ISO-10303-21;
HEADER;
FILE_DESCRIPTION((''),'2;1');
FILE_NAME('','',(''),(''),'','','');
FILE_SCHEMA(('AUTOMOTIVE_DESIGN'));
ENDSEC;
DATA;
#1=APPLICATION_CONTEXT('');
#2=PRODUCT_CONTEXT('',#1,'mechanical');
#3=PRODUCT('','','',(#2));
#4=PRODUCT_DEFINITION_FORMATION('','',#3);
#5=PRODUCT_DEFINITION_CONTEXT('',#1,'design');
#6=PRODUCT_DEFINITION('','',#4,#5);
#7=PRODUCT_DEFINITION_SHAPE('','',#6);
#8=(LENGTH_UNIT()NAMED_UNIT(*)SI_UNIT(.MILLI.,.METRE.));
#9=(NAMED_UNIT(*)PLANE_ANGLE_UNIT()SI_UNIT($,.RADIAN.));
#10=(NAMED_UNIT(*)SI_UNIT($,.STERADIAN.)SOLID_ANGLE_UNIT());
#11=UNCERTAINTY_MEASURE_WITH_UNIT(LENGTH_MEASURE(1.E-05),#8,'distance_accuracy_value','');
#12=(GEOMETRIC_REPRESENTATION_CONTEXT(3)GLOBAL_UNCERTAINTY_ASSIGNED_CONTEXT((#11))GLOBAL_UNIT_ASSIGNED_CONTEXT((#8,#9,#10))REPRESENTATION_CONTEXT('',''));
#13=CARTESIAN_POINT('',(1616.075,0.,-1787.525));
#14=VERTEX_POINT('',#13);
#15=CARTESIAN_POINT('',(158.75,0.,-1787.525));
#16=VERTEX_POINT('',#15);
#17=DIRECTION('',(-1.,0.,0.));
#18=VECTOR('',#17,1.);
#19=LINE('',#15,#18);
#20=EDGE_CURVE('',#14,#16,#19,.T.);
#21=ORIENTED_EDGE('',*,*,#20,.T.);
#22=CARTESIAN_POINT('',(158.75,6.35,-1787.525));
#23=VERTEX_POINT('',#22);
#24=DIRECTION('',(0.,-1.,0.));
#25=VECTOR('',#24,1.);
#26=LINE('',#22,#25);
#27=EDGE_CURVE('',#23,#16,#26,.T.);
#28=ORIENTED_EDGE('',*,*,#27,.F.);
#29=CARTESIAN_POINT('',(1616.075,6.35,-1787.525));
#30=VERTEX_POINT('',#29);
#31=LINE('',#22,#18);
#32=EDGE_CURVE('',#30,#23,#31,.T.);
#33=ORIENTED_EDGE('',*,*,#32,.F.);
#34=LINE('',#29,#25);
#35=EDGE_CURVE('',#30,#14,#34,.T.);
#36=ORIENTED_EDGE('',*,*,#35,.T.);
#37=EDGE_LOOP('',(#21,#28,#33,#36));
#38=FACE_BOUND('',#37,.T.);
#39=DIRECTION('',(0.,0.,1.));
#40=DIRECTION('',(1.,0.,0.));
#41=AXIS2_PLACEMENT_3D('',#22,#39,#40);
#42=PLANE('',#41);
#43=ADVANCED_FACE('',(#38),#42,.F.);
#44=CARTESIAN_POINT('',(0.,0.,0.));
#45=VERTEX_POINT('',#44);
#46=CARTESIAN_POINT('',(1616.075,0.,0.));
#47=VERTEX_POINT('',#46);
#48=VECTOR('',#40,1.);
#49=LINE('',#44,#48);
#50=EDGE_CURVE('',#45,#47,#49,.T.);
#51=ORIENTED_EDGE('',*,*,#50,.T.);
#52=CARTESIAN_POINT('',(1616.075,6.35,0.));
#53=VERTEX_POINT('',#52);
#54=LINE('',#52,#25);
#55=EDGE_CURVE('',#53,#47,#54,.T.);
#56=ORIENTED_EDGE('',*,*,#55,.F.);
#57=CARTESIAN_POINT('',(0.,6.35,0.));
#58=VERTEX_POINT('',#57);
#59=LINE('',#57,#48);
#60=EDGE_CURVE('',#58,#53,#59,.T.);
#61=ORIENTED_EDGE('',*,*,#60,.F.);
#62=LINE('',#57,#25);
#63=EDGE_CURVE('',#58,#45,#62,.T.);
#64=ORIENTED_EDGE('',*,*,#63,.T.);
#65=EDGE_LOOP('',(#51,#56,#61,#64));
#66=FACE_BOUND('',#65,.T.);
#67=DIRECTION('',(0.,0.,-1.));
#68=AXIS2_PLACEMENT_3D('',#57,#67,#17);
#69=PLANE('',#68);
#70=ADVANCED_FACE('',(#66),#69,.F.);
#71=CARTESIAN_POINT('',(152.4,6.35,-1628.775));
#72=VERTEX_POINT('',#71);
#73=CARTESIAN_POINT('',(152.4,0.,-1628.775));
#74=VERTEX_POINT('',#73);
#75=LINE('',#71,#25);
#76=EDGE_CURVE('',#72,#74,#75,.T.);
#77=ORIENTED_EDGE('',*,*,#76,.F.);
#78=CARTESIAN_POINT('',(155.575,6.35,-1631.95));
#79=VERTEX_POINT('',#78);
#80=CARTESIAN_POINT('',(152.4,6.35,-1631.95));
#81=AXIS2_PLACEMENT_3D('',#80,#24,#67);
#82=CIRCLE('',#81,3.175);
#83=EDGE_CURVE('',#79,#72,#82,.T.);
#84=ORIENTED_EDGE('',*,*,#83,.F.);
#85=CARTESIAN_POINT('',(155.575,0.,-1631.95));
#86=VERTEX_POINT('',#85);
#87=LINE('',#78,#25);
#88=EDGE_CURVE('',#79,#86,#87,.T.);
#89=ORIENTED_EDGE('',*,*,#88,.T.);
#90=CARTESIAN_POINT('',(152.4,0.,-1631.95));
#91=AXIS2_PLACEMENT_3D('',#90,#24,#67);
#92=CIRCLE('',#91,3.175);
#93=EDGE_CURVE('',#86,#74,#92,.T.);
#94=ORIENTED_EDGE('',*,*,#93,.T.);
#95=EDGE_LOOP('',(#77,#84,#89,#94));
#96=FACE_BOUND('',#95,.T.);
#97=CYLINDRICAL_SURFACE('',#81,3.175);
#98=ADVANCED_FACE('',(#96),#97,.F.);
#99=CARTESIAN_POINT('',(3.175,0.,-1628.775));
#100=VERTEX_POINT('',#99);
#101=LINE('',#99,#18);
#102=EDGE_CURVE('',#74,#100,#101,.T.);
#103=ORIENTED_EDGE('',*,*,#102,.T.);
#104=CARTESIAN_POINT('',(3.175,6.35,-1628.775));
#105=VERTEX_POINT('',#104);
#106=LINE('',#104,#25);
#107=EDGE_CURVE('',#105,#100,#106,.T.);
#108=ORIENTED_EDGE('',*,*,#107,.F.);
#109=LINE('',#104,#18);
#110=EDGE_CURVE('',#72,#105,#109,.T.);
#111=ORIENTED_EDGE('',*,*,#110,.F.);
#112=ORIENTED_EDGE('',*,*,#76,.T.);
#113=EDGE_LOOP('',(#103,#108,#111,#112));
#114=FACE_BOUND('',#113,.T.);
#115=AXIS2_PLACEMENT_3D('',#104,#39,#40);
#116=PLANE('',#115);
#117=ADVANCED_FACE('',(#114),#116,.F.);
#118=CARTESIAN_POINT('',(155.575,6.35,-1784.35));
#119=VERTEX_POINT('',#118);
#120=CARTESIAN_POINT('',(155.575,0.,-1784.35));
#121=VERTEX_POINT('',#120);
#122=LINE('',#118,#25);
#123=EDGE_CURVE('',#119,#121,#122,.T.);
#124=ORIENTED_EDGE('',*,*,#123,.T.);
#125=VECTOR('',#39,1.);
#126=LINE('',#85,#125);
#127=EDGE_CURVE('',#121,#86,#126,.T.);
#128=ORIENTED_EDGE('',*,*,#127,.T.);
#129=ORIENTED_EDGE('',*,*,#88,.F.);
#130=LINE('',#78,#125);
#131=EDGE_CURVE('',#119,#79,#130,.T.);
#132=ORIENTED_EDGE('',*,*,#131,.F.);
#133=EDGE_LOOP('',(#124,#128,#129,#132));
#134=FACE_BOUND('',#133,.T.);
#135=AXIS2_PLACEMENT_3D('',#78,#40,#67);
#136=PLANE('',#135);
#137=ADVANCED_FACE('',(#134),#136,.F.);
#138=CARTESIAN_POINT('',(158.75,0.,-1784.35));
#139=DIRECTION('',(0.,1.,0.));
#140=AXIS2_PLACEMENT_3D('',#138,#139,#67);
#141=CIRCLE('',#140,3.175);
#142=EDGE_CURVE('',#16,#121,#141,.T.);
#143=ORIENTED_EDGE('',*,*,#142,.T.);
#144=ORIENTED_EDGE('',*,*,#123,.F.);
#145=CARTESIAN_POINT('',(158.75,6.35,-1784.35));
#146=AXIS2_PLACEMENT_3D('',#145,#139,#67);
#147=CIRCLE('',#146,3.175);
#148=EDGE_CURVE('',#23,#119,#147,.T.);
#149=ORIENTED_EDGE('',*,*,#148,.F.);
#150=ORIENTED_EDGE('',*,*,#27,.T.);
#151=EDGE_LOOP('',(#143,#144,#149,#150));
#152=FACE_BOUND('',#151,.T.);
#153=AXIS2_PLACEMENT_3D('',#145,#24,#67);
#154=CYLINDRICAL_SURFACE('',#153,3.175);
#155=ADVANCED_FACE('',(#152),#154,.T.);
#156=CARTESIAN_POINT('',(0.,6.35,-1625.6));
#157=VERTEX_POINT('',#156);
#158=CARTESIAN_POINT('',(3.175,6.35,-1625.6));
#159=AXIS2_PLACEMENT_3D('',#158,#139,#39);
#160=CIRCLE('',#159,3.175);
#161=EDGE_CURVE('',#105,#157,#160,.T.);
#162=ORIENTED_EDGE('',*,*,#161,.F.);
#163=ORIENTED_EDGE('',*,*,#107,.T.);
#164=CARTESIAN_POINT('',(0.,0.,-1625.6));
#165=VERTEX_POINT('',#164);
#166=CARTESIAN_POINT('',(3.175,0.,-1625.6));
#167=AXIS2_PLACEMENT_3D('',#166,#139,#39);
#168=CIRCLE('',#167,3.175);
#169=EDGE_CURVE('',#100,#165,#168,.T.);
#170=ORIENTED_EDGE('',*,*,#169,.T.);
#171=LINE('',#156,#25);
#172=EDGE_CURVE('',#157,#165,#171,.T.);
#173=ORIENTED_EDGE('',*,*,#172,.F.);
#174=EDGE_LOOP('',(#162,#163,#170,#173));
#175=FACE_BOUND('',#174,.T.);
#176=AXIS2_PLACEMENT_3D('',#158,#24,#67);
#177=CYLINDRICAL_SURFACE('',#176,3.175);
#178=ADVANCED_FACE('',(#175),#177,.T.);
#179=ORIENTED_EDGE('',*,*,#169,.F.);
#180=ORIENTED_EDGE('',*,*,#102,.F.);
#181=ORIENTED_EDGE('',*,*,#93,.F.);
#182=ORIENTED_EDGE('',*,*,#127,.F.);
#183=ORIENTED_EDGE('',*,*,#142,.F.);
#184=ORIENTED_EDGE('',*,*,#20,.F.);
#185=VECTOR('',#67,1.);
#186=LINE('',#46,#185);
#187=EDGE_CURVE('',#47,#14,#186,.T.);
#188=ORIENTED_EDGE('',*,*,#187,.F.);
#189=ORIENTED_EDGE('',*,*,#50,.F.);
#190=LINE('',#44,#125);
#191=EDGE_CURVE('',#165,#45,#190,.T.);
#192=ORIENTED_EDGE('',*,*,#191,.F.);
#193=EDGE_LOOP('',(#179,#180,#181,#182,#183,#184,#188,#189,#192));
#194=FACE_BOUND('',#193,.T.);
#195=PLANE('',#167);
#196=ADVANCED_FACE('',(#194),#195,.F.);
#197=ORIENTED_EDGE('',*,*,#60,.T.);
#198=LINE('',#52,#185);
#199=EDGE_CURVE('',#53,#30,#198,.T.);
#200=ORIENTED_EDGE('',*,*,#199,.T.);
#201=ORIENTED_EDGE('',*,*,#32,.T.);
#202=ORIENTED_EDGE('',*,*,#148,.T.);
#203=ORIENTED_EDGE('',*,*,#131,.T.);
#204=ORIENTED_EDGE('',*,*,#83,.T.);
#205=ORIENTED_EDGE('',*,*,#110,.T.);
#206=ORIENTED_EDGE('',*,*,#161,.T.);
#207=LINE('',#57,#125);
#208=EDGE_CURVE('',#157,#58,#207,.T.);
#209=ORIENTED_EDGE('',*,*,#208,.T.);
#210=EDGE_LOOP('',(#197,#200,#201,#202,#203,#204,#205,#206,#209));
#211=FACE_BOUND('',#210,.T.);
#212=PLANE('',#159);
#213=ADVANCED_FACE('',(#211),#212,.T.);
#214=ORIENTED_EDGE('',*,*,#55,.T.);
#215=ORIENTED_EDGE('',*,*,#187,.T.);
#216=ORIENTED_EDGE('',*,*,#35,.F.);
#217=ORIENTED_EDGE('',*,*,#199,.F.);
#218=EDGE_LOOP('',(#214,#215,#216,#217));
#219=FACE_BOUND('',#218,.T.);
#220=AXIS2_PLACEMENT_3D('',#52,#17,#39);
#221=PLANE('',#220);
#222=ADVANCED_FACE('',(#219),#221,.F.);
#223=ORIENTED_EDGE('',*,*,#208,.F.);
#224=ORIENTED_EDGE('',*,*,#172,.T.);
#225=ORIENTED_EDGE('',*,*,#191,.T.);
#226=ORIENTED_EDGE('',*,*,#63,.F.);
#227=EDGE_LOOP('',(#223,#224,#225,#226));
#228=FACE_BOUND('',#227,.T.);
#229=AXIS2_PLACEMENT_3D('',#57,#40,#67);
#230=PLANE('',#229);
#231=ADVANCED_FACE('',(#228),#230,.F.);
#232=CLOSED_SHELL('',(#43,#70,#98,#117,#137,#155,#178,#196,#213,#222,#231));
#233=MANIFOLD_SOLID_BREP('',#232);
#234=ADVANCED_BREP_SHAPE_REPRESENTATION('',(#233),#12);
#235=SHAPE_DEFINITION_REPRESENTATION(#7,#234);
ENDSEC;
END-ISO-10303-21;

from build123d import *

# Parameters (mm, degrees)
BOSS_EXTRUDE1_DEPTH = 6.35


with BuildPart() as part:
    # Sketch1 → Boss-Extrude1 (new body)
    with BuildSketch(Plane(origin=(0, 0, 0), x_dir=(1, 0, 0), z_dir=(0, 1, 0))):
        with BuildLine():
            Line((0, 0), (1616.075, 0))
            Line((1616.075, 0), (1616.075, 1787.525))
            Line((1616.075, 1787.525), (158.75, 1787.525))
            ThreePointArc((158.75, 1787.525), (156.50493597, 1786.59506403), (155.575, 1784.35))
            Line((155.575, 1784.35), (155.575, 1631.95))
            ThreePointArc((155.575, 1631.95), (154.64506403, 1629.70493597), (152.4, 1628.775))
            Line((152.4, 1628.775), (3.175, 1628.775))
            ThreePointArc((3.175, 1628.775), (0.92993597, 1627.84506403), (0, 1625.6))
            Line((0, 1625.6), (0, 0))
        make_face()
    extrude(amount=BOSS_EXTRUDE1_DEPTH)


solid = part.part
